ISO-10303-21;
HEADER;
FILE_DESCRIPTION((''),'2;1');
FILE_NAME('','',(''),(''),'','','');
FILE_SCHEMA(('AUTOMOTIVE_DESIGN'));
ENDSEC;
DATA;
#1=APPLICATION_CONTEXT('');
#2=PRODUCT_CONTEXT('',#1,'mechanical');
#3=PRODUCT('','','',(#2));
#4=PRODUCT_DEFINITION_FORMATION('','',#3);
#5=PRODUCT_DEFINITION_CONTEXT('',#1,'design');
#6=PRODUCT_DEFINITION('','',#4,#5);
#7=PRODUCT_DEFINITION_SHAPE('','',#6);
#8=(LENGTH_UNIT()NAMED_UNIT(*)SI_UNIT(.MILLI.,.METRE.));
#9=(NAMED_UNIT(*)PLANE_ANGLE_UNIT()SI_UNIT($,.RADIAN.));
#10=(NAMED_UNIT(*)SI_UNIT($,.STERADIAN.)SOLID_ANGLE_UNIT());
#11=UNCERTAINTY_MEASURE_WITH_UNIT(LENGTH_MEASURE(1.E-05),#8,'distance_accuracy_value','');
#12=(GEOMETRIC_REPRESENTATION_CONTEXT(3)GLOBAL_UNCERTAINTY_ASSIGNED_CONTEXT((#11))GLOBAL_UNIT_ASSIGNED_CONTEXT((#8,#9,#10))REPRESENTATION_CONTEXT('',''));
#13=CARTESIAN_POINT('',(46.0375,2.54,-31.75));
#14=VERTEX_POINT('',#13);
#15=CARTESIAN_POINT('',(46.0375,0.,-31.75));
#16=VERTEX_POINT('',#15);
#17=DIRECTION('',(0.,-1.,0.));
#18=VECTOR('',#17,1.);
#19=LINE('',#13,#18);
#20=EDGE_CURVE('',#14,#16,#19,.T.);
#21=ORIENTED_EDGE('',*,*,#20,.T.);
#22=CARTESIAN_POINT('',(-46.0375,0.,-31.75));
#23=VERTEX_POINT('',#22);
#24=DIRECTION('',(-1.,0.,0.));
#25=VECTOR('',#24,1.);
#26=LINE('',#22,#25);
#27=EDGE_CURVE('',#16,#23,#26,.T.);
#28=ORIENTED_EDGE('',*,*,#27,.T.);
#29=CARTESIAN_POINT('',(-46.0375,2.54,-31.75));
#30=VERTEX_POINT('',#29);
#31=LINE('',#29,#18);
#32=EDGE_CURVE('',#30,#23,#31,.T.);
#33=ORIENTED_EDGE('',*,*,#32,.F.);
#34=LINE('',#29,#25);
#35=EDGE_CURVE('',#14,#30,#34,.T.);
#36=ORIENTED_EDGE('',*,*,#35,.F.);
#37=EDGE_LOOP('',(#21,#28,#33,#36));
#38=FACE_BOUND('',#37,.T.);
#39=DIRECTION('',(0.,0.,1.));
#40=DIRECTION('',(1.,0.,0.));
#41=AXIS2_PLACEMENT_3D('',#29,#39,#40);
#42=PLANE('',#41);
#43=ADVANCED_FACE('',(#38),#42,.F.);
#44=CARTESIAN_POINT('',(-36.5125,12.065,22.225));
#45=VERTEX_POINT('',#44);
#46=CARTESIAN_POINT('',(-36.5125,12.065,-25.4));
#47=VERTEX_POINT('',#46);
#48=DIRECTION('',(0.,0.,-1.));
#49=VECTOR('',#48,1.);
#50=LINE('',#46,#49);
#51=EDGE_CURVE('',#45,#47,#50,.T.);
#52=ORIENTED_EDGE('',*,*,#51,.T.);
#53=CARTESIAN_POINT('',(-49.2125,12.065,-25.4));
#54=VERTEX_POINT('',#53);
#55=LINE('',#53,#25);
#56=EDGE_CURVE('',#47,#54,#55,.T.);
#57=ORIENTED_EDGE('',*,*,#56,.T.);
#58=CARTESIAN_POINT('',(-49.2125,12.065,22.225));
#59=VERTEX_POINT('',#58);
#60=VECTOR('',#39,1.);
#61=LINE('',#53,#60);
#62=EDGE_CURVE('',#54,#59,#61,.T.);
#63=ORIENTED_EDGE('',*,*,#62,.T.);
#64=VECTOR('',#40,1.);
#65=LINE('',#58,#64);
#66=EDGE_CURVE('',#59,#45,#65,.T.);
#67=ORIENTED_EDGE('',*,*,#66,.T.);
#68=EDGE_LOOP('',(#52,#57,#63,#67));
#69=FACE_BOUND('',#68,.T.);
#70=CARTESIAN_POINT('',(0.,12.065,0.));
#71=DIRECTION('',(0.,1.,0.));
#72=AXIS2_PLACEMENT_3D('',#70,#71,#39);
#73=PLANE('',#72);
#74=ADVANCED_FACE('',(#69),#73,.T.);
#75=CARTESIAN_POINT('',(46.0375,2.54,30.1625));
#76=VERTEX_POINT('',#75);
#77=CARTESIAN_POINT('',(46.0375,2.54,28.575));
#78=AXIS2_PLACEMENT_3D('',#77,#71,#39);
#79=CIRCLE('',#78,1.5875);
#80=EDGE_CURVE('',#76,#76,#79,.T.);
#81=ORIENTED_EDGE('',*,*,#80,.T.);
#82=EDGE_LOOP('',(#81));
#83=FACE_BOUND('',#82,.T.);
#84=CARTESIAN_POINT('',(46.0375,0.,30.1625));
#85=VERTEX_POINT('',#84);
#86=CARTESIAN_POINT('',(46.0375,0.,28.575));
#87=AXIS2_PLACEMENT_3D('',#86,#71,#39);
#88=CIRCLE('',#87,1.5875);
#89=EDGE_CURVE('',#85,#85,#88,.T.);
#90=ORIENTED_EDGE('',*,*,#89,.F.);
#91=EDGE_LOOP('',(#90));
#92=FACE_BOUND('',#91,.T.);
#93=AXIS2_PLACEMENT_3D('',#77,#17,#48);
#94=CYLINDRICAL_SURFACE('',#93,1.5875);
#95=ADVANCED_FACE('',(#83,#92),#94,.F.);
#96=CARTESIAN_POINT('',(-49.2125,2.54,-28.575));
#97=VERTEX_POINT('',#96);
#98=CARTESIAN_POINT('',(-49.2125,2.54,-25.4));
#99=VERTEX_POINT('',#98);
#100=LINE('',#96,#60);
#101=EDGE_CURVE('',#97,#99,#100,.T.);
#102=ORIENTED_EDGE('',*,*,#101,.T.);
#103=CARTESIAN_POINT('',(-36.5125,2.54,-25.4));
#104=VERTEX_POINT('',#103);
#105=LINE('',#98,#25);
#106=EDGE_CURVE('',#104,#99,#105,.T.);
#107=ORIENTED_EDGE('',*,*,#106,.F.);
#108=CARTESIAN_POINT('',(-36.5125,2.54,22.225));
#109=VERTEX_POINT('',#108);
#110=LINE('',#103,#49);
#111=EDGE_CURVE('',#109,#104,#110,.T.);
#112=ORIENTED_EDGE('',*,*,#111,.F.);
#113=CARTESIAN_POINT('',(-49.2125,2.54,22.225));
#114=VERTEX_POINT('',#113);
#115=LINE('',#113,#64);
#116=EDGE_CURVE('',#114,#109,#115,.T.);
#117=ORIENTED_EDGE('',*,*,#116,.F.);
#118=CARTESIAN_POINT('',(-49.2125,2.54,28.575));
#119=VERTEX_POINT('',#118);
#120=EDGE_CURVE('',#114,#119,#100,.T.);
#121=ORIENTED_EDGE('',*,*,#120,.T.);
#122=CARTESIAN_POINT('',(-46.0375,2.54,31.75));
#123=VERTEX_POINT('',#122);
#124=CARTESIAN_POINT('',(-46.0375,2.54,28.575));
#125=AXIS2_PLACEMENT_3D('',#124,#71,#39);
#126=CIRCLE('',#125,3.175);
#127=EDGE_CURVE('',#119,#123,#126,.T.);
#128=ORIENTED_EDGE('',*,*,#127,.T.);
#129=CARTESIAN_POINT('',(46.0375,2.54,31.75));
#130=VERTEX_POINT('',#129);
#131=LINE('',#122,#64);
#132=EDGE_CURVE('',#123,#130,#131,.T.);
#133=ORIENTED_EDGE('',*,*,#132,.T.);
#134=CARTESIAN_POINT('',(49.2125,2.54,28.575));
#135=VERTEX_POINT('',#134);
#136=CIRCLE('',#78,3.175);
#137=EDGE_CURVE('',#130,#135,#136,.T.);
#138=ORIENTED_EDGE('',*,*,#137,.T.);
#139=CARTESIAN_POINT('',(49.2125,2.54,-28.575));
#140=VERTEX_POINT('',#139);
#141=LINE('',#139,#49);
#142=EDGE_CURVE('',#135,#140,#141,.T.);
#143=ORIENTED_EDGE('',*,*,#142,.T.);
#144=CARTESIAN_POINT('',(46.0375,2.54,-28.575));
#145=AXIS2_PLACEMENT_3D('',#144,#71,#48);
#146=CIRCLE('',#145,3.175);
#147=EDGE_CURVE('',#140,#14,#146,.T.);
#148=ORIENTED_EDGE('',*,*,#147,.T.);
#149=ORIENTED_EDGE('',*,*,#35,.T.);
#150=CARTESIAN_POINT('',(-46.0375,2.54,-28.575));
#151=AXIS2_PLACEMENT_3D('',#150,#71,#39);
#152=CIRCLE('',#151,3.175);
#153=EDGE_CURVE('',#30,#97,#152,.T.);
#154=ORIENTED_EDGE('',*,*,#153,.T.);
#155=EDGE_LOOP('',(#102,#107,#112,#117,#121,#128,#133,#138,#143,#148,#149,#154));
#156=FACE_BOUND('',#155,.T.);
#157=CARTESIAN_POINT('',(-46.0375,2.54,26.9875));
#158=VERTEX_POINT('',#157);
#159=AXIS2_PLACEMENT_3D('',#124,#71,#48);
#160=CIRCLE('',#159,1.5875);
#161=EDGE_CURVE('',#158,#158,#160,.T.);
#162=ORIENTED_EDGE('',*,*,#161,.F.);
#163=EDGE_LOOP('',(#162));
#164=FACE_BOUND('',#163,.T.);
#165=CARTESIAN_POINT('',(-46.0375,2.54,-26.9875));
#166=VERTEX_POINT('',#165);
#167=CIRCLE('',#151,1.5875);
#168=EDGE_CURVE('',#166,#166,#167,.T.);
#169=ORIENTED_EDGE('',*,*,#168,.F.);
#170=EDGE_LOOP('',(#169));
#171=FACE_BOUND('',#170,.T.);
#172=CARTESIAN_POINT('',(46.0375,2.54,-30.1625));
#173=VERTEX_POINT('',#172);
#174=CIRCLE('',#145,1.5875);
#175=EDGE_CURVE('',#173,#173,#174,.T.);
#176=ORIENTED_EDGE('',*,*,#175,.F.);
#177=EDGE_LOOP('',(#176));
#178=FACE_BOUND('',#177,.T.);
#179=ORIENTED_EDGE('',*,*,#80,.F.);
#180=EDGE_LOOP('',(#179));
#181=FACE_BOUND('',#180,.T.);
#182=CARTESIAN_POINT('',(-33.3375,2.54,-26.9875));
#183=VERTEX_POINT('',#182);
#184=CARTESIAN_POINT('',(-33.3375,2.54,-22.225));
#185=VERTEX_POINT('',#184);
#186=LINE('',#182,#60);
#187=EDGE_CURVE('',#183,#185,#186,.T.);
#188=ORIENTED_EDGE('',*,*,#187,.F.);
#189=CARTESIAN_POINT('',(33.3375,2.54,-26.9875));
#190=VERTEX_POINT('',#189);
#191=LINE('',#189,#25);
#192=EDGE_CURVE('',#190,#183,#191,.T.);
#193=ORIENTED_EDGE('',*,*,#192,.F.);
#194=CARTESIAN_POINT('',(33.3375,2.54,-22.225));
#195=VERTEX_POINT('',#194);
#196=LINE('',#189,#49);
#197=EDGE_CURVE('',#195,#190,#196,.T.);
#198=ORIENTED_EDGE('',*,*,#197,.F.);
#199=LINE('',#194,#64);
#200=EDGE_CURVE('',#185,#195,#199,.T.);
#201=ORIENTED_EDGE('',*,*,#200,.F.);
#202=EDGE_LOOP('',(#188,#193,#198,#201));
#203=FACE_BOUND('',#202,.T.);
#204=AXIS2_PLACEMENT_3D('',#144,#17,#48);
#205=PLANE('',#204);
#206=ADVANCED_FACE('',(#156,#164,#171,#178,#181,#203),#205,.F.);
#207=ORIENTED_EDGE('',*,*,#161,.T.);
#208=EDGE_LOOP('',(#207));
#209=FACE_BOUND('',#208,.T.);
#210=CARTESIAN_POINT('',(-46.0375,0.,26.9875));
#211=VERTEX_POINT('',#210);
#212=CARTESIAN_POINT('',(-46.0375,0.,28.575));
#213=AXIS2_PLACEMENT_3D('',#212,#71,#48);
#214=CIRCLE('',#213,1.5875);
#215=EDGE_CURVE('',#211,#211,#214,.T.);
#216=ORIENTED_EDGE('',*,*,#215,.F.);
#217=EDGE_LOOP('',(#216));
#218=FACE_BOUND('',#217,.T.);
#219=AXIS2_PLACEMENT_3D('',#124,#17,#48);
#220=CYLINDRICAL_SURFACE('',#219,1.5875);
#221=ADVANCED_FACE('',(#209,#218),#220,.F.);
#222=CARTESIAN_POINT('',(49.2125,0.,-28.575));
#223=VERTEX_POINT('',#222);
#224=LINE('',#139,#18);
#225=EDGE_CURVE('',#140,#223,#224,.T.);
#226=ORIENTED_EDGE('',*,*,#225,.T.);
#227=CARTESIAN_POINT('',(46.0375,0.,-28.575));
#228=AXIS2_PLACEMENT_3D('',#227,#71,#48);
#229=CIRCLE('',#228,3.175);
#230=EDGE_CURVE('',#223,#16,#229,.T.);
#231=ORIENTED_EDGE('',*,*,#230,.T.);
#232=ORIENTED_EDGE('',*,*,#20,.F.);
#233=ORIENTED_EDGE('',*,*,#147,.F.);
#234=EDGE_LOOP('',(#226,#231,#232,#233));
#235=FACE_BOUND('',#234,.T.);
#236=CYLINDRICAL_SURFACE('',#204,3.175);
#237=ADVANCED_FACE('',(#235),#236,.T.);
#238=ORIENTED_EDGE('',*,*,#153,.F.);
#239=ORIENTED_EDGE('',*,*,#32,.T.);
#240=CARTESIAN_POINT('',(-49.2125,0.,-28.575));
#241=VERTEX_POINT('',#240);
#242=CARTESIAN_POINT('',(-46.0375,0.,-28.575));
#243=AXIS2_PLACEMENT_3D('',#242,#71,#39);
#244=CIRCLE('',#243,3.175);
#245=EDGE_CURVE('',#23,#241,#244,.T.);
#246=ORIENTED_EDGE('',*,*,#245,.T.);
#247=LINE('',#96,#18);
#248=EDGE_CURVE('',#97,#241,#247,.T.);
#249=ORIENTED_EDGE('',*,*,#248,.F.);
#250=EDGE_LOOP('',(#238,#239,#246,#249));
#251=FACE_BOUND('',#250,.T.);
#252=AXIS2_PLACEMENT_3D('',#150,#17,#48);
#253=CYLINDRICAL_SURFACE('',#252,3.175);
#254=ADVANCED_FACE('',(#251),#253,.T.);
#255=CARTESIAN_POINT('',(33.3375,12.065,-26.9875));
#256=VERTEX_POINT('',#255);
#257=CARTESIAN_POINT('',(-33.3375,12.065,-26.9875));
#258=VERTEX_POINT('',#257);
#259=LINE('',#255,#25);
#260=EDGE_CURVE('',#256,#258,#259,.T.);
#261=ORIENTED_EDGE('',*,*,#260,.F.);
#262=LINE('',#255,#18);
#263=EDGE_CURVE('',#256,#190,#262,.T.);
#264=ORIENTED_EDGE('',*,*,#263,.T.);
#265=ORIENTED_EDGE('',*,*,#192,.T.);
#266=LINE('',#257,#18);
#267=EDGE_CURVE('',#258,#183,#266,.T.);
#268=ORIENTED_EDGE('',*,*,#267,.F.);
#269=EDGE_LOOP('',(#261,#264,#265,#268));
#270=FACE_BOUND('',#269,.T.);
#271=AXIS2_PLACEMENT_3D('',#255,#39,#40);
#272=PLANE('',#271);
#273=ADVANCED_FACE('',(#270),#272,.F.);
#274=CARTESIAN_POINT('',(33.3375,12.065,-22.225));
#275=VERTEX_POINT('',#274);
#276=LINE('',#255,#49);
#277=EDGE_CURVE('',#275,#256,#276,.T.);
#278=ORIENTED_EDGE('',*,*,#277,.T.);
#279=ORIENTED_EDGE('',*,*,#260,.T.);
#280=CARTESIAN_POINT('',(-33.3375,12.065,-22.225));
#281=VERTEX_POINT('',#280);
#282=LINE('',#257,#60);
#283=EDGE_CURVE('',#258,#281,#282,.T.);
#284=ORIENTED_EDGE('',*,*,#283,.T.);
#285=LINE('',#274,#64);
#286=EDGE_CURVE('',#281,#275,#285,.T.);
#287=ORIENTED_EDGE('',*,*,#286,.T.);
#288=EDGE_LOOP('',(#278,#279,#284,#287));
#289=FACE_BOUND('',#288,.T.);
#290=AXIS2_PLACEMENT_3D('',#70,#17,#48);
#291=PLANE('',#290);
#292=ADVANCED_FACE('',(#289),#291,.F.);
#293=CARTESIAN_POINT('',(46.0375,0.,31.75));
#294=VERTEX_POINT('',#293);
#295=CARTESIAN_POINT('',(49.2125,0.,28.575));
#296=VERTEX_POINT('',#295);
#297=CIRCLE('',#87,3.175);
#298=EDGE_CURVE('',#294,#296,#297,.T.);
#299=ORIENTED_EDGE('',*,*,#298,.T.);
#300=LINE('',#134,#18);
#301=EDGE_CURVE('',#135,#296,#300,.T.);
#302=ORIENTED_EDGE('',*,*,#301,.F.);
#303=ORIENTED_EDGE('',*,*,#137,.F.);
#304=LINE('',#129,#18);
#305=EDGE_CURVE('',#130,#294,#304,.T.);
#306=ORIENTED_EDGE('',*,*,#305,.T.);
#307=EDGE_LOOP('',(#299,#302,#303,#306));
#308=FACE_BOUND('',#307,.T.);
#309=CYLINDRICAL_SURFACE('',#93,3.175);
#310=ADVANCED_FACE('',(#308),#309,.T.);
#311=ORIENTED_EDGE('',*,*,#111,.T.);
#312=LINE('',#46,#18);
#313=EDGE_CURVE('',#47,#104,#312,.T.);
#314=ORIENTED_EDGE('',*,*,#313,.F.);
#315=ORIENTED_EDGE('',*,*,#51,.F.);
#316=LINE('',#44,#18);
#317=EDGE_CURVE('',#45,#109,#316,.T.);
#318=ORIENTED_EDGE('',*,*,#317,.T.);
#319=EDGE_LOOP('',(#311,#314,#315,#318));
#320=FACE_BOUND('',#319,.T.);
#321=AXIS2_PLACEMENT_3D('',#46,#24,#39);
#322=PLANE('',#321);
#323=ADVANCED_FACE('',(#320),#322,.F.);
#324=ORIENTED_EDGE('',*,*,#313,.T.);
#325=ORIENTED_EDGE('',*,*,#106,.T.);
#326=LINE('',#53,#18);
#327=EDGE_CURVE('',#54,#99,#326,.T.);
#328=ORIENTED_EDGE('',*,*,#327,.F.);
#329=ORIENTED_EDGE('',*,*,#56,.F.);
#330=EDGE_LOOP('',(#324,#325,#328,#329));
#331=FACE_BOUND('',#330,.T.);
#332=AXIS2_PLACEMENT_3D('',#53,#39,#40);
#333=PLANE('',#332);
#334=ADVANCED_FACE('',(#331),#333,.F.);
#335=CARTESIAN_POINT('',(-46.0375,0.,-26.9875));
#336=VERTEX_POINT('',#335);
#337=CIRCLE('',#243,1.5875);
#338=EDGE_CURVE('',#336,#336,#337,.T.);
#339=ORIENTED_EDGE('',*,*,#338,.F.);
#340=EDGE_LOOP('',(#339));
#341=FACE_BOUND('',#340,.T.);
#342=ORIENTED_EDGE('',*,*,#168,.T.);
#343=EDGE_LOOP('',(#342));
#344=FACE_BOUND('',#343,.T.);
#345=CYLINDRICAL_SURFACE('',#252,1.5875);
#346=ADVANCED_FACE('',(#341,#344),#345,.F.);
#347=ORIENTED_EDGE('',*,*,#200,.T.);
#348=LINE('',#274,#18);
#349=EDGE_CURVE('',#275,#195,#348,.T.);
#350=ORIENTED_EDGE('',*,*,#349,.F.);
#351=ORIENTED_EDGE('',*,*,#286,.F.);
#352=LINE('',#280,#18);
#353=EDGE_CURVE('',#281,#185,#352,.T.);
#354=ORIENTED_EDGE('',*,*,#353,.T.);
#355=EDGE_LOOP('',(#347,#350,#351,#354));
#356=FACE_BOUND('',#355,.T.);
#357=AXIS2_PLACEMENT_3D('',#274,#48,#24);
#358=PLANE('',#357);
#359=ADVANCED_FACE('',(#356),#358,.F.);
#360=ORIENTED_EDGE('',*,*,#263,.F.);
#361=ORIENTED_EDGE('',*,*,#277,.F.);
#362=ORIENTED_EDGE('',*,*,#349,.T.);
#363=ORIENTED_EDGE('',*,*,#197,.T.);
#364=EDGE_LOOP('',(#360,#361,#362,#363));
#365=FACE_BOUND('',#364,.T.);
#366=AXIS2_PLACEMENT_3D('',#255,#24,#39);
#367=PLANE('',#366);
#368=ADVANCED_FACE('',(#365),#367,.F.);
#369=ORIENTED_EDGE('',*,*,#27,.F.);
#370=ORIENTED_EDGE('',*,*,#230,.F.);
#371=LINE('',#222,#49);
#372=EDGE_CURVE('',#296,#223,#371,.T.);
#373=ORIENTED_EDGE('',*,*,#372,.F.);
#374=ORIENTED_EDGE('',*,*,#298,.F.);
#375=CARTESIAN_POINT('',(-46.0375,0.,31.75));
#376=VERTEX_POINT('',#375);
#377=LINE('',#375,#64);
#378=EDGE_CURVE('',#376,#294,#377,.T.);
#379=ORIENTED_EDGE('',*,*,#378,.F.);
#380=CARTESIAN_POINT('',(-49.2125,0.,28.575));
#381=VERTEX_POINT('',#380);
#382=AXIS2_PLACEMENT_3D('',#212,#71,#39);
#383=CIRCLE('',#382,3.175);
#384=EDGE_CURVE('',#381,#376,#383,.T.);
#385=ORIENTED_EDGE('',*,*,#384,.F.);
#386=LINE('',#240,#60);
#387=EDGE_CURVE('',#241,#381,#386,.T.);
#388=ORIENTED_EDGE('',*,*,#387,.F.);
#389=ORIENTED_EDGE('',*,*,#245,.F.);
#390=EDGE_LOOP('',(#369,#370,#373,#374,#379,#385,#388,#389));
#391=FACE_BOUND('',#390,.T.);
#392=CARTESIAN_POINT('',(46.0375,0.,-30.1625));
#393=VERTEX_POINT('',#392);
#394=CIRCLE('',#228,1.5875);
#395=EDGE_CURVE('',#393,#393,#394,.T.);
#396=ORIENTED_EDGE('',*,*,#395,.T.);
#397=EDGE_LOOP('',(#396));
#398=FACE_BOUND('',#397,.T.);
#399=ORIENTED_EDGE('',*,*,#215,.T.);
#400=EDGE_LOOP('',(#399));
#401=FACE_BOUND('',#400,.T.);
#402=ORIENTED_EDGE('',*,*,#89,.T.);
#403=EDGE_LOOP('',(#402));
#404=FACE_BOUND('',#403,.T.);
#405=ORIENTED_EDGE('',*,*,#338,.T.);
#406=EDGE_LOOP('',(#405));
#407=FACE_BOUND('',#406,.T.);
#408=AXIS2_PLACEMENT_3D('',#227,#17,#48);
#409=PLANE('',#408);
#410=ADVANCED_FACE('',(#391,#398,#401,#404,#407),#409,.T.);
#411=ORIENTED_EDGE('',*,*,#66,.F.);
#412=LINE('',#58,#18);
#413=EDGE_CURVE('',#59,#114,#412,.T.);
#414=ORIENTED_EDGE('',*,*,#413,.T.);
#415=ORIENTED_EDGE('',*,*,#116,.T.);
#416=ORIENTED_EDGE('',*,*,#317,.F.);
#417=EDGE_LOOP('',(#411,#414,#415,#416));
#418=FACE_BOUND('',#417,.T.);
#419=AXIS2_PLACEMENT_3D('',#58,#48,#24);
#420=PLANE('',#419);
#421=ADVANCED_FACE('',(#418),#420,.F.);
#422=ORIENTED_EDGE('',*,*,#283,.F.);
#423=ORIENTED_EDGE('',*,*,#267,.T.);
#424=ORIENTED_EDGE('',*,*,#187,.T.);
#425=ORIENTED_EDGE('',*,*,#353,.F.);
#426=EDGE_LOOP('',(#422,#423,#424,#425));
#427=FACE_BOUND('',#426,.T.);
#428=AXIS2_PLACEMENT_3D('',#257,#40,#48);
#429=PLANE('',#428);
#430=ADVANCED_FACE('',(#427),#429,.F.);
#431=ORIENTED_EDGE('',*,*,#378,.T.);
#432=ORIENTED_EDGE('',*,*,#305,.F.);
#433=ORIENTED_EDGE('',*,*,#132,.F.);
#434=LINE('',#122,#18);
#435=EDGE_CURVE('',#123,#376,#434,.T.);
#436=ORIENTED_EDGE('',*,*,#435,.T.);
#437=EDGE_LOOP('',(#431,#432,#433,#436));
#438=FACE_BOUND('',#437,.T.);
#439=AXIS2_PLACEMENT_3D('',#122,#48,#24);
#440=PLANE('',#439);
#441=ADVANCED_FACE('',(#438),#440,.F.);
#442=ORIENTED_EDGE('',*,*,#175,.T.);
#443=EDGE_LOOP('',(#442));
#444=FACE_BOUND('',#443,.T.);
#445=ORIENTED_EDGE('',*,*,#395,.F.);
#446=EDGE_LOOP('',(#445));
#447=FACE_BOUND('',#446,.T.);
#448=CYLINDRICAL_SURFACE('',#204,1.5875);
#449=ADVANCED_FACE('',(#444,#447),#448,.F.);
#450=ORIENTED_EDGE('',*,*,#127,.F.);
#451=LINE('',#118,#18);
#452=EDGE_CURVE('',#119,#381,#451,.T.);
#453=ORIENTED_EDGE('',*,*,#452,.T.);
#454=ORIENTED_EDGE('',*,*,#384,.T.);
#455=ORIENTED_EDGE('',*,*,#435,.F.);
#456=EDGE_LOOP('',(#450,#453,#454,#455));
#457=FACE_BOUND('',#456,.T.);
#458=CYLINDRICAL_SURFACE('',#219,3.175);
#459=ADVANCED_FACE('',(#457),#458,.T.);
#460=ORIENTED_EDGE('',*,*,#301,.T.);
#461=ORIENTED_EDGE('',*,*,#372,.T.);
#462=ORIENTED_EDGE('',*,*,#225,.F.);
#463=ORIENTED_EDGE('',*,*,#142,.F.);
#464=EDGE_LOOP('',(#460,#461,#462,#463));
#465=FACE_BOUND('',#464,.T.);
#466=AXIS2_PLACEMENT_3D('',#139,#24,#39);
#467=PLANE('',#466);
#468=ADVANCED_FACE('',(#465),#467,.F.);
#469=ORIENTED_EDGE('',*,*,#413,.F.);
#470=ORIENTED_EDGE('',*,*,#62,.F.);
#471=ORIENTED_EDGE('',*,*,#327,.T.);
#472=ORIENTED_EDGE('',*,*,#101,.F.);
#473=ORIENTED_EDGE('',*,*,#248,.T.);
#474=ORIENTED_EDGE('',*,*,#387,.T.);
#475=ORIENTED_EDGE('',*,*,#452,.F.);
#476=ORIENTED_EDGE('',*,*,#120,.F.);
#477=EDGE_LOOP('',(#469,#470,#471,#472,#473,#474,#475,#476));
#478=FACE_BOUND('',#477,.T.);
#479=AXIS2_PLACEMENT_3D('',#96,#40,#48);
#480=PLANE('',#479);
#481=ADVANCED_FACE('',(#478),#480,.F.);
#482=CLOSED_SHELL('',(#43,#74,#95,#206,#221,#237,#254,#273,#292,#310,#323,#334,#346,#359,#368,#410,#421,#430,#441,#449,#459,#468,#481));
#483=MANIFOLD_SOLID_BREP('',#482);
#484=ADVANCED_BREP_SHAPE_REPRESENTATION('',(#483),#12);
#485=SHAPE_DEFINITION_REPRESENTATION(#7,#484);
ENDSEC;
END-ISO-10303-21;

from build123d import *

# Parameters (mm, degrees)
SKETCH1_R                    = 1.5875
MAINPCB_DEPTH                = 2.54
SKETCH2_W                    = 12.7
SKETCH2_H                    = 47.625
CHARGER_USBCONNECTIONS_DEPTH = 9.525
SKETCH3_W                    = 66.675
SKETCH3_H                    = 4.7625
GPIO_HEADER_DEPTH            = 9.525


with BuildPart() as part:
    # Sketch1 → MainPCB (new body)
    with BuildSketch(Plane(origin=(0, 0, 0), x_dir=(1, 0, 0), z_dir=(0, 1, 0))):
        with BuildLine():
            Line((-46.0375, 31.75), (46.0375, 31.75))
            ThreePointArc((46.0375, 31.75), (48.28256403, 30.82006403), (49.2125, 28.575))
            Line((49.2125, 28.575), (49.2125, -28.575))
            ThreePointArc((49.2125, -28.575), (48.28256403, -30.82006403), (46.0375, -31.75))
            Line((46.0375, -31.75), (-46.0375, -31.75))
            ThreePointArc((-46.0375, -31.75), (-48.28256403, -30.82006403), (-49.2125, -28.575))
            Line((-49.2125, -28.575), (-49.2125, 28.575))
            ThreePointArc((-49.2125, 28.575), (-48.28256403, 30.82006403), (-46.0375, 31.75))
        make_face()
        with Locations((-46.0375, 28.575)):
            Circle(SKETCH1_R, mode=Mode.SUBTRACT)
        with Locations((46.0375, 28.575)):
            Circle(SKETCH1_R, mode=Mode.SUBTRACT)
        with Locations((46.0375, -28.575)):
            Circle(SKETCH1_R, mode=Mode.SUBTRACT)
        with Locations((-46.0375, -28.575)):
            Circle(SKETCH1_R, mode=Mode.SUBTRACT)
    extrude(amount=MAINPCB_DEPTH)

    # Sketch2 → Charger_USBConnections (add)
    with BuildSketch(Plane(origin=(0, 2.54, 0), x_dir=(1, 0, 0), z_dir=(0, 1, 0))):
        with Locations((-42.8625, 1.5875)):
            Rectangle(SKETCH2_W, SKETCH2_H)
    extrude(amount=CHARGER_USBCONNECTIONS_DEPTH)

    # Sketch3 → GPIO Header (add)
    with BuildSketch(Plane(origin=(0, 2.54, 0), x_dir=(1, 0, 0), z_dir=(0, 1, 0))):
        with Locations((0, 24.60625)):
            Rectangle(SKETCH3_W, SKETCH3_H)
    extrude(amount=GPIO_HEADER_DEPTH)


solid = part.part
